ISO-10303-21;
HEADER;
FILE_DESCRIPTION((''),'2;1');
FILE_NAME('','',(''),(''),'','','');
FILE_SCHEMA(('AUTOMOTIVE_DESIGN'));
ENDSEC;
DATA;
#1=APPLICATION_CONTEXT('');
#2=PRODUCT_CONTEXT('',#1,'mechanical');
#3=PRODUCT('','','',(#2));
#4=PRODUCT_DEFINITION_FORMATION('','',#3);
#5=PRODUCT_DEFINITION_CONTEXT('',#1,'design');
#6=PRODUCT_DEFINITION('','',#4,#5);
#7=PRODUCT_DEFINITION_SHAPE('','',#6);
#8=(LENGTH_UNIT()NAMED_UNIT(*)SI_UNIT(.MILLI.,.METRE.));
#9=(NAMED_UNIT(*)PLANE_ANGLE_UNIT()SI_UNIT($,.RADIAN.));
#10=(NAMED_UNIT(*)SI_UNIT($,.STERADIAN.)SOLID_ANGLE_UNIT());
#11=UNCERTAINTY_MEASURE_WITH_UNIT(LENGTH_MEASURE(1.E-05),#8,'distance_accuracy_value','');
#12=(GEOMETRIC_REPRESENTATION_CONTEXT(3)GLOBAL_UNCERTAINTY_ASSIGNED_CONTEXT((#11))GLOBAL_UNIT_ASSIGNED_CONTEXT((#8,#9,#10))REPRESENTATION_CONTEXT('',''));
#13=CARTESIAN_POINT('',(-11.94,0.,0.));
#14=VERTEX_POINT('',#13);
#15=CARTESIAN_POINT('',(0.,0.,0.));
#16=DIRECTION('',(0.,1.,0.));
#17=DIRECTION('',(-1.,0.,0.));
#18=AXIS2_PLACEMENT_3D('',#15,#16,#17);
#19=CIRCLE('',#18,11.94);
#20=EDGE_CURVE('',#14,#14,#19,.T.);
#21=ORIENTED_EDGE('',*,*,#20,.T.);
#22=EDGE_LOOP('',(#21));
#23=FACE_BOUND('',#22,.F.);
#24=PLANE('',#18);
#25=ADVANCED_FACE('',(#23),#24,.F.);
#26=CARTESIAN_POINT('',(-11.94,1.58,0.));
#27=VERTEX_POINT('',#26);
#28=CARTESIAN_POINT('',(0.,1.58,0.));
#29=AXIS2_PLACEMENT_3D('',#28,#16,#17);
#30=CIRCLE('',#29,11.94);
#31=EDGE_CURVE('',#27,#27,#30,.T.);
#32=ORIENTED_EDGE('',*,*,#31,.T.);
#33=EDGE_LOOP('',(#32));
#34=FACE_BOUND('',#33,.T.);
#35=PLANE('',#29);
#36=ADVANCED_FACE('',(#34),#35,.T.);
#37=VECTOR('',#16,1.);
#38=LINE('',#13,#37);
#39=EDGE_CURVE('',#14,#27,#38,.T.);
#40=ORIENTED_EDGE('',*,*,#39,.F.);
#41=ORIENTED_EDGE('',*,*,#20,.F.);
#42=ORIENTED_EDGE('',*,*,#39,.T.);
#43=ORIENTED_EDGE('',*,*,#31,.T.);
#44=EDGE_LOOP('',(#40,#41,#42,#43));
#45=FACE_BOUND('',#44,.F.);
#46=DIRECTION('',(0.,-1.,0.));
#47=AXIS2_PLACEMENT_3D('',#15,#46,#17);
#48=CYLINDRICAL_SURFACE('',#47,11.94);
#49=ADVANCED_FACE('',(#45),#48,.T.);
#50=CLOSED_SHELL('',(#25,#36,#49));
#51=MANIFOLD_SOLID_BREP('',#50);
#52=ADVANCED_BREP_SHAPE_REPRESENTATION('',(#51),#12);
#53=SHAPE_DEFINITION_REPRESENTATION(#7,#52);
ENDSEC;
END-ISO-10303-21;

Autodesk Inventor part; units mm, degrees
ref_plane "YZ Plane" through (0, 0, 0) normal (1, 0, 0) x (0, 1, 0)
ref_plane "XZ Plane" through (0, 0, 0) normal (0, 1, 0) x (-1, 0, 0)
ref_plane "XY Plane" through (0, 0, 0) normal (0, 0, 1) x (1, 0, 0)
sketch "Sketch1" plane through (0, 0, 0) normal (0, 1, 0) x (-1, 0, 0)
  circle A0 centre (0, 0) radius 11.94
  dimension "d0" = 23.88
extrude "Extrusion1" add sketch "Sketch1" along normal blind 1.58
properties part number "quarter"
